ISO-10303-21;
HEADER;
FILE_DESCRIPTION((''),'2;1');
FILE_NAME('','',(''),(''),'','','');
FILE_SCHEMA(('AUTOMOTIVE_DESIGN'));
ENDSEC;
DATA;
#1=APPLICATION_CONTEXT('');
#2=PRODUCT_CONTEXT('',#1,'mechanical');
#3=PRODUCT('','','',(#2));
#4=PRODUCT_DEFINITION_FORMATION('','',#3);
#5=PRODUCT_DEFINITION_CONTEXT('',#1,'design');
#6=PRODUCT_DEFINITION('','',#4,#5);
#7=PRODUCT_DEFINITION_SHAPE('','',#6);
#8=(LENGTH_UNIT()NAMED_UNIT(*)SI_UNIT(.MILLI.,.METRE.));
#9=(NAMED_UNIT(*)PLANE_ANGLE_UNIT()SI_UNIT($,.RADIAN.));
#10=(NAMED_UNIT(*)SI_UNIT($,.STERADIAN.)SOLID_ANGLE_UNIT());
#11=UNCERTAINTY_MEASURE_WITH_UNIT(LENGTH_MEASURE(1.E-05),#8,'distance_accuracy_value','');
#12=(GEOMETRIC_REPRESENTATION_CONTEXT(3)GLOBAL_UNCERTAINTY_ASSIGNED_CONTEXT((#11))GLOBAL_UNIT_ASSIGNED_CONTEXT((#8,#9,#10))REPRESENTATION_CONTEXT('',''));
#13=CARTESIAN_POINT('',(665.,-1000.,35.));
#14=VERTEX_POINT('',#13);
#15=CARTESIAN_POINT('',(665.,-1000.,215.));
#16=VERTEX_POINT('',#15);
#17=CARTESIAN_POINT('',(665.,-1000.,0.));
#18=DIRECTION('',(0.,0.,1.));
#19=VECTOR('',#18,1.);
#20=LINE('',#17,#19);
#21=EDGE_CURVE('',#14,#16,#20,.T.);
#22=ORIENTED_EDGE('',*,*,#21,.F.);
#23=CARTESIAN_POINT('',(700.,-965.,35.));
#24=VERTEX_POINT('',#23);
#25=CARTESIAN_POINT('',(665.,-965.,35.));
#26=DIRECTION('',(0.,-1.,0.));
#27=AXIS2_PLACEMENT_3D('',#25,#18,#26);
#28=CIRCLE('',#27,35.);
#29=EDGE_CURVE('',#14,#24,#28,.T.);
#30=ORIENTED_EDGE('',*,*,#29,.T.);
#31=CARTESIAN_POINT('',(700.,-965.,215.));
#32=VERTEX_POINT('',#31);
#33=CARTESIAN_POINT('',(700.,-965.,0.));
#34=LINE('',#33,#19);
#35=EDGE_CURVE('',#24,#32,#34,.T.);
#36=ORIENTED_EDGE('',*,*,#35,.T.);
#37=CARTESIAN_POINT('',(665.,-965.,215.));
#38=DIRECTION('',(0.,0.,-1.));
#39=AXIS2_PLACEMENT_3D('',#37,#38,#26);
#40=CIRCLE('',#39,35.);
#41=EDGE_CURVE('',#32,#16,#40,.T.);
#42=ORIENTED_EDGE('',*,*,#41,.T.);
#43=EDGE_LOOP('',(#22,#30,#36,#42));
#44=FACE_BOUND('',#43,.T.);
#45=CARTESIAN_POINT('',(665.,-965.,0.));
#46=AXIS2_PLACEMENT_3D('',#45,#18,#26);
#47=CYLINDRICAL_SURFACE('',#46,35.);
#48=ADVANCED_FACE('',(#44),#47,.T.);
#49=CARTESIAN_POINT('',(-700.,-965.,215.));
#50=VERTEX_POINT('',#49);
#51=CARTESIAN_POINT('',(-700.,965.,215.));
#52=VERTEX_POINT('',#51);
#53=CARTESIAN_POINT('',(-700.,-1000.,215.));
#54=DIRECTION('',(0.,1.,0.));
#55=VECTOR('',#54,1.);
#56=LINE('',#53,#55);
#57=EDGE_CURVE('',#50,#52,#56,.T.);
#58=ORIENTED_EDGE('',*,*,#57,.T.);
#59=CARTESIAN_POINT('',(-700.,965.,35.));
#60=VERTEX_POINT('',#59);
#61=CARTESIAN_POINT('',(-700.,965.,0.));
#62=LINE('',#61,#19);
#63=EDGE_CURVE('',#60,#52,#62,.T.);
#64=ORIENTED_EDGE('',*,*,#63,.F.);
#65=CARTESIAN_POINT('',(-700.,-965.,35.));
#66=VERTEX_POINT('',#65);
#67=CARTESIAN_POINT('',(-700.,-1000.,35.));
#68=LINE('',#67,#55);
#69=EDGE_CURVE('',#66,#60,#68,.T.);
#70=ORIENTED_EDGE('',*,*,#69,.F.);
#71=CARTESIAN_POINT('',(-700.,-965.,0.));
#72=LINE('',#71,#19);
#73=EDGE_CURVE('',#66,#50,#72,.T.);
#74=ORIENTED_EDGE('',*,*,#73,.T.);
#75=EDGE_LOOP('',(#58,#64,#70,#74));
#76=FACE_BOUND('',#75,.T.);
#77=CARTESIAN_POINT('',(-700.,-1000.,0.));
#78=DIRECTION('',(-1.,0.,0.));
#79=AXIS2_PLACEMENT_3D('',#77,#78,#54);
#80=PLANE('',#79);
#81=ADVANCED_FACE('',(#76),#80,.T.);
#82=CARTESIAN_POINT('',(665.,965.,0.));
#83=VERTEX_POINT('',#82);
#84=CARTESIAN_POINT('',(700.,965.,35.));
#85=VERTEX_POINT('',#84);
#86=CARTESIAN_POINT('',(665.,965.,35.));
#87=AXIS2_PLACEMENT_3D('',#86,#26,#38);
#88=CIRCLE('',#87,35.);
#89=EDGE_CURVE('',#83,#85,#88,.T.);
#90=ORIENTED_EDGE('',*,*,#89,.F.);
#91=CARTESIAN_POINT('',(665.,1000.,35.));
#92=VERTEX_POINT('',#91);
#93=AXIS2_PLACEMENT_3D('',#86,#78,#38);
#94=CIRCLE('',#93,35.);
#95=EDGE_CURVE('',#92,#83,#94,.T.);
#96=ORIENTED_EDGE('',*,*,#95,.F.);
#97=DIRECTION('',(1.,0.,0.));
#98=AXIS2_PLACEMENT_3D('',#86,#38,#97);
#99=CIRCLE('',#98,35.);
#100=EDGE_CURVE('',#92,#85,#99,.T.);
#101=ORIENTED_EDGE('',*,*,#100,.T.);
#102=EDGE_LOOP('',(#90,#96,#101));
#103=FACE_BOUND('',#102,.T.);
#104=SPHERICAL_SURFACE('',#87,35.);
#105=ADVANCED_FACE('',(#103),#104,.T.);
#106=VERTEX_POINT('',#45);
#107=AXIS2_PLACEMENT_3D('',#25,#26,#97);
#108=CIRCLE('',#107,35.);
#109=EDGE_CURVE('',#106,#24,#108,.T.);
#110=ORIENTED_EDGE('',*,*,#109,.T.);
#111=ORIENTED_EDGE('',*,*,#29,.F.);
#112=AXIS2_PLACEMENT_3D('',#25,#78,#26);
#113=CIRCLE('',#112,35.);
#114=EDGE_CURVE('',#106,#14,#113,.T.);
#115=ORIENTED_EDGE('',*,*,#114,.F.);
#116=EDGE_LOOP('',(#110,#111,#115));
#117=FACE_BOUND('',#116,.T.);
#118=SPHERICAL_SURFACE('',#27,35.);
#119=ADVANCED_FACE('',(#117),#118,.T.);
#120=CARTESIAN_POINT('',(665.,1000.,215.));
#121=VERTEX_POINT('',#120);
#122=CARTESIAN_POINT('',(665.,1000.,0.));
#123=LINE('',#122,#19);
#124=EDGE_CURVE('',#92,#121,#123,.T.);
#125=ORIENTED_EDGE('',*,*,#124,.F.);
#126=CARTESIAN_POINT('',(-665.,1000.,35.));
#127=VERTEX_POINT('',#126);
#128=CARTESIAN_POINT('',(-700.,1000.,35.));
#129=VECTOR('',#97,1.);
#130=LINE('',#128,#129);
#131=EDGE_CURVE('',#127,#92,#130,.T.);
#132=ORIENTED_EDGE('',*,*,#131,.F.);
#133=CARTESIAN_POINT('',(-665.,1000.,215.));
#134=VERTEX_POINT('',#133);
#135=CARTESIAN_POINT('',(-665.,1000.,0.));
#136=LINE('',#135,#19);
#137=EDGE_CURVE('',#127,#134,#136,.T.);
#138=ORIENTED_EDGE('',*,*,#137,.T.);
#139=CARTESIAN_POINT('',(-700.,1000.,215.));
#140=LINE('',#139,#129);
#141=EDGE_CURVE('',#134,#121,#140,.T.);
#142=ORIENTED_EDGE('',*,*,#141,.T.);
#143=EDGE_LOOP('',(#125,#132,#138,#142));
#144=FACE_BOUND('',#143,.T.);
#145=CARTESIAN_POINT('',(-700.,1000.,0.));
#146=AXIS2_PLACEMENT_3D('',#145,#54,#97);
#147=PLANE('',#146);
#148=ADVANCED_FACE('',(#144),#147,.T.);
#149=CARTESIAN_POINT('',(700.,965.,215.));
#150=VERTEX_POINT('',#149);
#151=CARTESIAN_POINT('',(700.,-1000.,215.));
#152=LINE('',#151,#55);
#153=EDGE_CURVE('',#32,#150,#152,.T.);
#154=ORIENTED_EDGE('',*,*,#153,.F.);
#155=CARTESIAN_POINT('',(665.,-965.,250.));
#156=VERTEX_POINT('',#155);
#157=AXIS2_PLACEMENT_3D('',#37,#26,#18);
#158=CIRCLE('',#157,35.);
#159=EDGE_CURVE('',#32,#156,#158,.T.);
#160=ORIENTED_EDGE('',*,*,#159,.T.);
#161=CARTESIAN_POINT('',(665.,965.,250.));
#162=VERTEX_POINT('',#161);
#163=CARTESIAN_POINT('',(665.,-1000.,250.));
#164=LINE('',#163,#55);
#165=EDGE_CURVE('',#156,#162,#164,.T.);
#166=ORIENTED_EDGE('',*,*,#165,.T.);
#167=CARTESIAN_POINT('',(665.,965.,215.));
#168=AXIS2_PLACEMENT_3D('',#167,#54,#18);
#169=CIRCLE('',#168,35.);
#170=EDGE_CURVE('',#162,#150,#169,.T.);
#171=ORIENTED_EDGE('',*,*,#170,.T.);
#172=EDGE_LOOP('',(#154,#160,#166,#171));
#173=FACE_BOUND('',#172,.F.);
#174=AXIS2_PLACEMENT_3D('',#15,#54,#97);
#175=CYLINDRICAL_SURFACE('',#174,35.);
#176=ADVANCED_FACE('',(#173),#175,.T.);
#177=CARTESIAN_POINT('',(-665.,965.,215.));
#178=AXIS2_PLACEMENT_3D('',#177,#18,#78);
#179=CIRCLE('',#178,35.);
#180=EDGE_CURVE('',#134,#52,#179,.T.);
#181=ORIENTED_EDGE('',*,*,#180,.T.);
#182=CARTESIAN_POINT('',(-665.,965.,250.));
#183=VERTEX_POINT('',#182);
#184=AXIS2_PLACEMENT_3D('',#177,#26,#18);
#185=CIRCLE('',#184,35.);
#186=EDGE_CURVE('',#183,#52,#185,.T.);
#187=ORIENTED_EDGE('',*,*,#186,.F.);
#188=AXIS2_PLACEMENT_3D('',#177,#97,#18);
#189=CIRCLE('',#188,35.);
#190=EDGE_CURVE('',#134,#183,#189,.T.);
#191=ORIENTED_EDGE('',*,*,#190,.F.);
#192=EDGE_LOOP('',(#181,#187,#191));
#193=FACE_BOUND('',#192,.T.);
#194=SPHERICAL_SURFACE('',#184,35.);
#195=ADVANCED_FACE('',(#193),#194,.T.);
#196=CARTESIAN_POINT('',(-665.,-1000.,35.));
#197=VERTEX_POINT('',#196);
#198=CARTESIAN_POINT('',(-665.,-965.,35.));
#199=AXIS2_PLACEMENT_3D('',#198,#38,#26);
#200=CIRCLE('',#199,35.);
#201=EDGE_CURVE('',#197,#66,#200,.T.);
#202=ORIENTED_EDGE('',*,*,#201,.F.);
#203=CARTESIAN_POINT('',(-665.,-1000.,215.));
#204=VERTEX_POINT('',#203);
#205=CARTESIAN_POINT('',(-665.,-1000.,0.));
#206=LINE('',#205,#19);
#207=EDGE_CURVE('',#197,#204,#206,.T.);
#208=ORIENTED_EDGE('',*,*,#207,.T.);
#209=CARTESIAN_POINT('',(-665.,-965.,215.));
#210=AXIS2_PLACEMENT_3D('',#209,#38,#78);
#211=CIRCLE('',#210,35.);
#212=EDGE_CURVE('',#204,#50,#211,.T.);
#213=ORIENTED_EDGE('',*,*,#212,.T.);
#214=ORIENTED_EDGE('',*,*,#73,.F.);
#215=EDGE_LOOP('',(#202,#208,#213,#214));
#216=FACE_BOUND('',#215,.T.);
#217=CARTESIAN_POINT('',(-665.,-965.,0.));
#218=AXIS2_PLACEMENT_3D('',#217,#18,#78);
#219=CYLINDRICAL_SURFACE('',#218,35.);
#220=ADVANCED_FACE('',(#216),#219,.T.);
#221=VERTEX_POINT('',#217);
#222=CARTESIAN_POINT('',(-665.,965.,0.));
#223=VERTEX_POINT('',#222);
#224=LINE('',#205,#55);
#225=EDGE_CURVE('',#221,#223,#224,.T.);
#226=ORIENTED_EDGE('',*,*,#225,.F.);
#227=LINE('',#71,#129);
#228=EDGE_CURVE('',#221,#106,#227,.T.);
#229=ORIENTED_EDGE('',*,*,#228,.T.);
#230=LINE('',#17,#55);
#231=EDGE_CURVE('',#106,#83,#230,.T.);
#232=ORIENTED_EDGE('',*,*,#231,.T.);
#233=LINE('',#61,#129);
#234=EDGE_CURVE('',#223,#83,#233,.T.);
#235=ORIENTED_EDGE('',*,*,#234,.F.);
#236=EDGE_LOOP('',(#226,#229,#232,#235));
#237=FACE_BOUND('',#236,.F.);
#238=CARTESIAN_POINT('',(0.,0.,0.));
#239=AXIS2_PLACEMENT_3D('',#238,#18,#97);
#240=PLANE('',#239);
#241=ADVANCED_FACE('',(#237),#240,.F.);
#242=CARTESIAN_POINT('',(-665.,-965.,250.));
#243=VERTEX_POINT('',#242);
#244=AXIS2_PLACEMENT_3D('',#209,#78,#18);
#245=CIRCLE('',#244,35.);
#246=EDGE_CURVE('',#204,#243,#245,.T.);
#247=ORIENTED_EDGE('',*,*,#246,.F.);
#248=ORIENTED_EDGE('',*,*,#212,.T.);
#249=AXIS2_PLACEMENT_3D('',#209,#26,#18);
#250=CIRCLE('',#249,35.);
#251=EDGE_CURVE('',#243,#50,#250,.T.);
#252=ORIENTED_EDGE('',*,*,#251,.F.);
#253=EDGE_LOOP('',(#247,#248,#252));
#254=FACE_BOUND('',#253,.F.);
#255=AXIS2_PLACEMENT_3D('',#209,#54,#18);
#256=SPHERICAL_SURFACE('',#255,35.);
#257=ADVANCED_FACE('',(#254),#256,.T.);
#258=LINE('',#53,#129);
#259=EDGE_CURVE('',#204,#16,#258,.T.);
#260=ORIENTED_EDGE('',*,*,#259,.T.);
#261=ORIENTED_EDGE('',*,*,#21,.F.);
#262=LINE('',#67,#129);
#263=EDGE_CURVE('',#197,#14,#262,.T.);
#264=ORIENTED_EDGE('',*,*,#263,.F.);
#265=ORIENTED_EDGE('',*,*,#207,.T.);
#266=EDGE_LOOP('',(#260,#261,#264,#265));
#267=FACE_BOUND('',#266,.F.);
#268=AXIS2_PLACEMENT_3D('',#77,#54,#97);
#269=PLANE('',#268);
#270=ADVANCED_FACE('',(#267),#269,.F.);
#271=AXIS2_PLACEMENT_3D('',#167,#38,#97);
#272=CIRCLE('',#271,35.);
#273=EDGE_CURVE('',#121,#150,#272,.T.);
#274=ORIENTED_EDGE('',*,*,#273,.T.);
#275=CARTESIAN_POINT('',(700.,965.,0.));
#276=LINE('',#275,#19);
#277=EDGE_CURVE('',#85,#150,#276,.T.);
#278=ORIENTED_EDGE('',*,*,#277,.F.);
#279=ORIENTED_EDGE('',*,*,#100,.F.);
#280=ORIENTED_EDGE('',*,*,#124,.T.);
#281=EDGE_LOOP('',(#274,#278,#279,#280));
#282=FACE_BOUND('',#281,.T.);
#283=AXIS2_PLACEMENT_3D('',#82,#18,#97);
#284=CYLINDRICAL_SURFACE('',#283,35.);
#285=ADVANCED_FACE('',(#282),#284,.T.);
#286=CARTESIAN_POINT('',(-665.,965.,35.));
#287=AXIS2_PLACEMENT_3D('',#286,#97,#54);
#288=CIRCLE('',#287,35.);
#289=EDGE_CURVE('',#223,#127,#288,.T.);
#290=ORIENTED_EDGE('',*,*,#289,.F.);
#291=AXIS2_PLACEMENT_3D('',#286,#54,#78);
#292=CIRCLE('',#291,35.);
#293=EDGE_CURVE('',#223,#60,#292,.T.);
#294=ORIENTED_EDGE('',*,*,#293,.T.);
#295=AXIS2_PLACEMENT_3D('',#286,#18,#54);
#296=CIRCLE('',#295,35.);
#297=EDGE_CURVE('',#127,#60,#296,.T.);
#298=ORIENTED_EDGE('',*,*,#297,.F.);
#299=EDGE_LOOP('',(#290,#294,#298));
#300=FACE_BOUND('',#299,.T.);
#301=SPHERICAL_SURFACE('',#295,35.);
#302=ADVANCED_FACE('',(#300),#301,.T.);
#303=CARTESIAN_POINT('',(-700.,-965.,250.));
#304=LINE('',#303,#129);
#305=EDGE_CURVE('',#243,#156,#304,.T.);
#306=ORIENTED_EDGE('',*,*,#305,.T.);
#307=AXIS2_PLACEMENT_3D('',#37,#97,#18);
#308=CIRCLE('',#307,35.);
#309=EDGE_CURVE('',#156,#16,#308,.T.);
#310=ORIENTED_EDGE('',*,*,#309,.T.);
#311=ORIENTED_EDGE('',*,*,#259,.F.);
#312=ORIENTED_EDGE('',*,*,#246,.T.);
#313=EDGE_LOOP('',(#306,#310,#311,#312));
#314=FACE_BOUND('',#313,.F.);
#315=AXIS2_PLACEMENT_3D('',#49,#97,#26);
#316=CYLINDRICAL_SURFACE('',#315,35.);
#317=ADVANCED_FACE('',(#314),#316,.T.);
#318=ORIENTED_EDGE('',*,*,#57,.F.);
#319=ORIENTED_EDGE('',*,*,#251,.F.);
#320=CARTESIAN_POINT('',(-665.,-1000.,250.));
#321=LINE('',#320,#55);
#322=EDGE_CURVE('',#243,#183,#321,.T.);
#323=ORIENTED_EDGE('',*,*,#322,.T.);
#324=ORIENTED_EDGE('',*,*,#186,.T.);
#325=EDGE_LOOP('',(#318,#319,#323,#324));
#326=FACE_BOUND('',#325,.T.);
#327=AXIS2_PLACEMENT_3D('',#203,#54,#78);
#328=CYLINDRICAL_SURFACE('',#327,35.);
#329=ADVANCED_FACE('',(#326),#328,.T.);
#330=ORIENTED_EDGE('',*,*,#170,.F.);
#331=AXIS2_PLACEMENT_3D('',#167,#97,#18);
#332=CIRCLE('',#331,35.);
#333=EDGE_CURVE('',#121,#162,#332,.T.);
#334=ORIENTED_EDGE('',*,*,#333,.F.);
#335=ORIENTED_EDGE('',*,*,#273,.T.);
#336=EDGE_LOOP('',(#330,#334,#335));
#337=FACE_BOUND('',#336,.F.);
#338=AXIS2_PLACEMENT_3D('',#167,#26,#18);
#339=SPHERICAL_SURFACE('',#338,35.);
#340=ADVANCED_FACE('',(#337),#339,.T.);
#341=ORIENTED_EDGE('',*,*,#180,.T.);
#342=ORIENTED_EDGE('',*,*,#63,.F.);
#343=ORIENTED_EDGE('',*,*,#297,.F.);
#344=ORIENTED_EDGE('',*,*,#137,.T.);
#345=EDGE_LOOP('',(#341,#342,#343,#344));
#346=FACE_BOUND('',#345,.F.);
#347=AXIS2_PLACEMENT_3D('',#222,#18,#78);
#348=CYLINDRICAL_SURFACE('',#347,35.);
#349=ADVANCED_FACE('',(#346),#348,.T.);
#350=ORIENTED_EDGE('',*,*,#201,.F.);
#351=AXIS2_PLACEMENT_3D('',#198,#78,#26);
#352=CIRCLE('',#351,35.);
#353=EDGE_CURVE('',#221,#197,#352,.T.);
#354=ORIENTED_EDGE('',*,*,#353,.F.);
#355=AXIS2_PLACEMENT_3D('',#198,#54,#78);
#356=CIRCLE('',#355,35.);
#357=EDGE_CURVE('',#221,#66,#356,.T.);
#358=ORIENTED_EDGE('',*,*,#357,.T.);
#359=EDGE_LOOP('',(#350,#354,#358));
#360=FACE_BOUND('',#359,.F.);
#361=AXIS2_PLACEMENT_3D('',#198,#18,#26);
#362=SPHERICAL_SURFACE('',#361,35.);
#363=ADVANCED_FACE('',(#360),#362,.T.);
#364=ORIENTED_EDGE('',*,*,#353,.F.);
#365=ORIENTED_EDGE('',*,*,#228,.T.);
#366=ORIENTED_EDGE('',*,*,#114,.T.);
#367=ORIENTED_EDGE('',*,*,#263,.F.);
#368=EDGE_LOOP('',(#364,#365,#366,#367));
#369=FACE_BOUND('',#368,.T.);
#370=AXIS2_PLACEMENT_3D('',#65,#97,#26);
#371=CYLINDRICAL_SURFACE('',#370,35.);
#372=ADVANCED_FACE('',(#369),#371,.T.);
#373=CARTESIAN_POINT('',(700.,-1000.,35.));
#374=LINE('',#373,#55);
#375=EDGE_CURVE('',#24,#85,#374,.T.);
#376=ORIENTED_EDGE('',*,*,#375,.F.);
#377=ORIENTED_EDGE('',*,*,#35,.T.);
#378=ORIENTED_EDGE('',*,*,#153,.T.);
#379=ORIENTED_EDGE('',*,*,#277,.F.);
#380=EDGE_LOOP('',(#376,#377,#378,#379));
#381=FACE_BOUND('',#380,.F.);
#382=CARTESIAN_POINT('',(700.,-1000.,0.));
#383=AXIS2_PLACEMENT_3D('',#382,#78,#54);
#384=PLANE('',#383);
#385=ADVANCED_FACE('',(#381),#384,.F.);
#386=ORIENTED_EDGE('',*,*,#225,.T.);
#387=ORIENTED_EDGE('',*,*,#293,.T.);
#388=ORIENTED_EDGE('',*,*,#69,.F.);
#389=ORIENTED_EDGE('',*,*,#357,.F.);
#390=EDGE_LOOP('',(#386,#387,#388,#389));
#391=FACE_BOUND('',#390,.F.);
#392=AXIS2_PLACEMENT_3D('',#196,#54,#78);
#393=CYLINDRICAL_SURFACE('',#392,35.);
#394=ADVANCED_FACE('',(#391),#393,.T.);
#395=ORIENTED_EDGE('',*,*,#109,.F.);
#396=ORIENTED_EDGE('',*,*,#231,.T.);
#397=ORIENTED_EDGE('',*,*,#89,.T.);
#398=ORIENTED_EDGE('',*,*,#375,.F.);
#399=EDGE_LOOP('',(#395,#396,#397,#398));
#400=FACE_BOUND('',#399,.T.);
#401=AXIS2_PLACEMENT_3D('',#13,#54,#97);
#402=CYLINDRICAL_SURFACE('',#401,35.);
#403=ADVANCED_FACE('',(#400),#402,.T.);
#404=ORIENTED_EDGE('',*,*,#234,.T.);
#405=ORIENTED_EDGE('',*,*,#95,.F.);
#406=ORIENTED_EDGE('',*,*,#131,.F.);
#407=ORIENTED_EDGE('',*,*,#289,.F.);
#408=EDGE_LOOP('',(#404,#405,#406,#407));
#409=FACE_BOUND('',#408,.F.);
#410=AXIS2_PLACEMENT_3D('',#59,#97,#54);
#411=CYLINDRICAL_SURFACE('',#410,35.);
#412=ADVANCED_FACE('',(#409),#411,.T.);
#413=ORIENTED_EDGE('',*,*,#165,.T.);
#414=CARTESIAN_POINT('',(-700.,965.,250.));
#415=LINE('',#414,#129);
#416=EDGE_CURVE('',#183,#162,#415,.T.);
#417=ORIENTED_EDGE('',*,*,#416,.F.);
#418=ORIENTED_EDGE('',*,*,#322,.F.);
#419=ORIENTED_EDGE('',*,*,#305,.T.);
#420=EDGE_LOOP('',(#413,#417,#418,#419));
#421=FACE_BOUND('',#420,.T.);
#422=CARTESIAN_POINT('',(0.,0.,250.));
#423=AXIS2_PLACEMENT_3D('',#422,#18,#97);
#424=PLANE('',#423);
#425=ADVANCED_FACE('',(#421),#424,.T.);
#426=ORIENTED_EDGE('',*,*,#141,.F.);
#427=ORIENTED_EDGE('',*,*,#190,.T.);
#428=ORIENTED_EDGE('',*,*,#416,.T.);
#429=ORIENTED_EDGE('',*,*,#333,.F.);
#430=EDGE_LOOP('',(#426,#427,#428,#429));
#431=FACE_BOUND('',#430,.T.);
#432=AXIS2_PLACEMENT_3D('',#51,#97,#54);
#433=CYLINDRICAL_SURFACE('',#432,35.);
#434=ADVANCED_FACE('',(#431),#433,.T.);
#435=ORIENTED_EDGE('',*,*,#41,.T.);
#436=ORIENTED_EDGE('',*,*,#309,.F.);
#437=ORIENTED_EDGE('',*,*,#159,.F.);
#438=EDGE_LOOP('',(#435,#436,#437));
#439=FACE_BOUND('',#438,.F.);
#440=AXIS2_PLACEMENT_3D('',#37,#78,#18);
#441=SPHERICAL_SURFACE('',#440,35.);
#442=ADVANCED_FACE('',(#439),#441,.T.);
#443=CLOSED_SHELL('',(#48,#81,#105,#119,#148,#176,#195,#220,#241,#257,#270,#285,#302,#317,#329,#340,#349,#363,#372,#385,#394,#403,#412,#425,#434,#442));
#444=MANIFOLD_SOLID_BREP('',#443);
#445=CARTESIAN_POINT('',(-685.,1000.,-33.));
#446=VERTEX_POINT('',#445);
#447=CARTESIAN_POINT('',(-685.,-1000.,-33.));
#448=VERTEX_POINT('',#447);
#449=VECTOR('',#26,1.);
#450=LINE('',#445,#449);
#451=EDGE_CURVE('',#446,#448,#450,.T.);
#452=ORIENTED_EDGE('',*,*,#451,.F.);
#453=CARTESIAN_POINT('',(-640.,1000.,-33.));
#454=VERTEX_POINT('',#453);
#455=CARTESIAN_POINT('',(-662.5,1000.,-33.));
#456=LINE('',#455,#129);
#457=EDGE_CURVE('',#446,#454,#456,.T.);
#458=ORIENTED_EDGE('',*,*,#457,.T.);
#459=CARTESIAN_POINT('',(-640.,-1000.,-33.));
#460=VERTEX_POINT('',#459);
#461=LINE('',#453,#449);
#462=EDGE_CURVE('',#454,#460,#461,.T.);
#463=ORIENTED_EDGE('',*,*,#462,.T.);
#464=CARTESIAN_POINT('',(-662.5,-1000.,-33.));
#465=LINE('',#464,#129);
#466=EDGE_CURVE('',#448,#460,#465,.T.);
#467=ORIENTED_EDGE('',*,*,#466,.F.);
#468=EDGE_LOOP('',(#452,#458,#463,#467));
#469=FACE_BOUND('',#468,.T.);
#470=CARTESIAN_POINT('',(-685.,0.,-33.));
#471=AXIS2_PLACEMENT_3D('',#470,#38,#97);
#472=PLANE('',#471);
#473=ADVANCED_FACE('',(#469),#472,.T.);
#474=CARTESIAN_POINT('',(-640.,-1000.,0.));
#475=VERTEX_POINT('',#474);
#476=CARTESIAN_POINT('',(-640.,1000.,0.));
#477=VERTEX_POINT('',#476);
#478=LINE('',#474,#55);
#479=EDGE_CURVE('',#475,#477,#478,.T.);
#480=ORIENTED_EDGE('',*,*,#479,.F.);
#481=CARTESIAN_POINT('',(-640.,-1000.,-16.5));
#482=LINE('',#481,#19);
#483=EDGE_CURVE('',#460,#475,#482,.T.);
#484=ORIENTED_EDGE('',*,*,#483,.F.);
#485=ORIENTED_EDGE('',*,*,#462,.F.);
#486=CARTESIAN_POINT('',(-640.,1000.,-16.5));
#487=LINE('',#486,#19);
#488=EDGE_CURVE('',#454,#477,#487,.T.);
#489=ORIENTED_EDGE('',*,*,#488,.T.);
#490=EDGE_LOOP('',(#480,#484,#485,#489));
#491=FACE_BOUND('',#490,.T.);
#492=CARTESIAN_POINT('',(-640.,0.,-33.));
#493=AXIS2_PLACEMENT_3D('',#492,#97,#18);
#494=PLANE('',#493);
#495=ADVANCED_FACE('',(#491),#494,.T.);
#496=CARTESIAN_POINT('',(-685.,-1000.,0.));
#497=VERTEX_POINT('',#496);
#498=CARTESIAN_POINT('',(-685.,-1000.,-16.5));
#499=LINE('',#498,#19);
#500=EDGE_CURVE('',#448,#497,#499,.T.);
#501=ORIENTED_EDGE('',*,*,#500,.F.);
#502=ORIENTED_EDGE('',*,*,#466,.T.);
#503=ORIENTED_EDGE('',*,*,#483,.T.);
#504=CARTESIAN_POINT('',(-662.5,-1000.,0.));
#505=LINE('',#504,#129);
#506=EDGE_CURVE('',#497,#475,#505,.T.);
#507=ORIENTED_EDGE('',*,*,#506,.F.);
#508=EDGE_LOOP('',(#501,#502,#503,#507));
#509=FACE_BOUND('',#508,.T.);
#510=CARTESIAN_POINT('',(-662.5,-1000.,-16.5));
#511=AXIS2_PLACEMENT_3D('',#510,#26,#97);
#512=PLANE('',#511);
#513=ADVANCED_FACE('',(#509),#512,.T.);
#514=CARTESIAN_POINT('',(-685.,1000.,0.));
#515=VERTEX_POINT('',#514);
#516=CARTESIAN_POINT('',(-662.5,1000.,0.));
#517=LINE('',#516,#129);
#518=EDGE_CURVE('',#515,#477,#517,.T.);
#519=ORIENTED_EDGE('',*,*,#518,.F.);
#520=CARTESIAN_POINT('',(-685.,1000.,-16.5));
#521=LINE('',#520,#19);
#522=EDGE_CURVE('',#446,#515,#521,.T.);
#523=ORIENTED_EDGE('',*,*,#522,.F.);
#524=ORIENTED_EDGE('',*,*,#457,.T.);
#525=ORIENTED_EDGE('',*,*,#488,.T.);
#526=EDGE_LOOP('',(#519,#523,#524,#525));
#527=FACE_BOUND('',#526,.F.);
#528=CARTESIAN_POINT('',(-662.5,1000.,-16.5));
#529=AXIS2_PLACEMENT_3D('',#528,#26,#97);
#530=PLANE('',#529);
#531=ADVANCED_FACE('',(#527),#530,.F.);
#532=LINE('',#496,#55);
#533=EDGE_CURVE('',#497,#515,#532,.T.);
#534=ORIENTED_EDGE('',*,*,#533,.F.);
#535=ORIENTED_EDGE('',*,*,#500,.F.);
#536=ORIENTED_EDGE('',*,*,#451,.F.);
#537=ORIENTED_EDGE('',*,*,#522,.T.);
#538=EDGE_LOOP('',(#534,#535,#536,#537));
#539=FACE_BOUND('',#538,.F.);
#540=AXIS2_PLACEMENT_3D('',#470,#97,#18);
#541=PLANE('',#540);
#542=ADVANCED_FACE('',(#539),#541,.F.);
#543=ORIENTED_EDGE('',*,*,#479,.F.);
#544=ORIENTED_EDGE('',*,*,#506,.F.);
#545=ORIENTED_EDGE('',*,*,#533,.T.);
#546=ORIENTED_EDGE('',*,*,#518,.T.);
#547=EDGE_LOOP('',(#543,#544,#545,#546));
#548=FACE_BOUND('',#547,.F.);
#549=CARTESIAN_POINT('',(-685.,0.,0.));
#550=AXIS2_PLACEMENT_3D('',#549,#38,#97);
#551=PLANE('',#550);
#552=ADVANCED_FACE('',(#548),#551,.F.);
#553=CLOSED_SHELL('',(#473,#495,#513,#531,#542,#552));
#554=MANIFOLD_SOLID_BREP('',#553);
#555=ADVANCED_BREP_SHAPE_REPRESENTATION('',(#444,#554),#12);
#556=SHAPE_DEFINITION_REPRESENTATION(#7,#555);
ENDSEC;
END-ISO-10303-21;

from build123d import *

# Parameters (mm, degrees)
F0_W     = 1400
F0_H     = 2000
F1_DEPTH = 250
F2_R     = 35
F3_W     = 45
F3_H     = 33
F4_DEPTH = 1000


with BuildPart() as f1:
    # F0 (on Top) → F1 (new body)
    with BuildSketch(Plane.XY):
        Rectangle(F0_W, F0_H)
    extrude(amount=F1_DEPTH)

    # F2
    f2_edges = [f1.edges().sort_by_distance(p)[0] for p in [
        (-700, 0, 250),
        (0, -1000, 250),
        (-700, -1000, 125),
        (700, 0, 250),
        (0, 1000, 250),
        (700, -1000, 125),
        (0, -1000, 0),
        (700, 0, 0),
        (-700, 1000, 125),
        (0, 1000, 0),
        (700, 1000, 125),
        (-700, 0, 0),
    ]]
    fillet(f2_edges, radius=F2_R)


with BuildPart() as f4:
    # F3 (on Front) → F4 (new body, symmetric)
    with BuildSketch(Plane.XZ):
        with Locations((-662.5, -16.5)):
            Rectangle(F3_W, F3_H)
    extrude(amount=F4_DEPTH, both=True)


solid = Compound([f1.part, f4.part])
